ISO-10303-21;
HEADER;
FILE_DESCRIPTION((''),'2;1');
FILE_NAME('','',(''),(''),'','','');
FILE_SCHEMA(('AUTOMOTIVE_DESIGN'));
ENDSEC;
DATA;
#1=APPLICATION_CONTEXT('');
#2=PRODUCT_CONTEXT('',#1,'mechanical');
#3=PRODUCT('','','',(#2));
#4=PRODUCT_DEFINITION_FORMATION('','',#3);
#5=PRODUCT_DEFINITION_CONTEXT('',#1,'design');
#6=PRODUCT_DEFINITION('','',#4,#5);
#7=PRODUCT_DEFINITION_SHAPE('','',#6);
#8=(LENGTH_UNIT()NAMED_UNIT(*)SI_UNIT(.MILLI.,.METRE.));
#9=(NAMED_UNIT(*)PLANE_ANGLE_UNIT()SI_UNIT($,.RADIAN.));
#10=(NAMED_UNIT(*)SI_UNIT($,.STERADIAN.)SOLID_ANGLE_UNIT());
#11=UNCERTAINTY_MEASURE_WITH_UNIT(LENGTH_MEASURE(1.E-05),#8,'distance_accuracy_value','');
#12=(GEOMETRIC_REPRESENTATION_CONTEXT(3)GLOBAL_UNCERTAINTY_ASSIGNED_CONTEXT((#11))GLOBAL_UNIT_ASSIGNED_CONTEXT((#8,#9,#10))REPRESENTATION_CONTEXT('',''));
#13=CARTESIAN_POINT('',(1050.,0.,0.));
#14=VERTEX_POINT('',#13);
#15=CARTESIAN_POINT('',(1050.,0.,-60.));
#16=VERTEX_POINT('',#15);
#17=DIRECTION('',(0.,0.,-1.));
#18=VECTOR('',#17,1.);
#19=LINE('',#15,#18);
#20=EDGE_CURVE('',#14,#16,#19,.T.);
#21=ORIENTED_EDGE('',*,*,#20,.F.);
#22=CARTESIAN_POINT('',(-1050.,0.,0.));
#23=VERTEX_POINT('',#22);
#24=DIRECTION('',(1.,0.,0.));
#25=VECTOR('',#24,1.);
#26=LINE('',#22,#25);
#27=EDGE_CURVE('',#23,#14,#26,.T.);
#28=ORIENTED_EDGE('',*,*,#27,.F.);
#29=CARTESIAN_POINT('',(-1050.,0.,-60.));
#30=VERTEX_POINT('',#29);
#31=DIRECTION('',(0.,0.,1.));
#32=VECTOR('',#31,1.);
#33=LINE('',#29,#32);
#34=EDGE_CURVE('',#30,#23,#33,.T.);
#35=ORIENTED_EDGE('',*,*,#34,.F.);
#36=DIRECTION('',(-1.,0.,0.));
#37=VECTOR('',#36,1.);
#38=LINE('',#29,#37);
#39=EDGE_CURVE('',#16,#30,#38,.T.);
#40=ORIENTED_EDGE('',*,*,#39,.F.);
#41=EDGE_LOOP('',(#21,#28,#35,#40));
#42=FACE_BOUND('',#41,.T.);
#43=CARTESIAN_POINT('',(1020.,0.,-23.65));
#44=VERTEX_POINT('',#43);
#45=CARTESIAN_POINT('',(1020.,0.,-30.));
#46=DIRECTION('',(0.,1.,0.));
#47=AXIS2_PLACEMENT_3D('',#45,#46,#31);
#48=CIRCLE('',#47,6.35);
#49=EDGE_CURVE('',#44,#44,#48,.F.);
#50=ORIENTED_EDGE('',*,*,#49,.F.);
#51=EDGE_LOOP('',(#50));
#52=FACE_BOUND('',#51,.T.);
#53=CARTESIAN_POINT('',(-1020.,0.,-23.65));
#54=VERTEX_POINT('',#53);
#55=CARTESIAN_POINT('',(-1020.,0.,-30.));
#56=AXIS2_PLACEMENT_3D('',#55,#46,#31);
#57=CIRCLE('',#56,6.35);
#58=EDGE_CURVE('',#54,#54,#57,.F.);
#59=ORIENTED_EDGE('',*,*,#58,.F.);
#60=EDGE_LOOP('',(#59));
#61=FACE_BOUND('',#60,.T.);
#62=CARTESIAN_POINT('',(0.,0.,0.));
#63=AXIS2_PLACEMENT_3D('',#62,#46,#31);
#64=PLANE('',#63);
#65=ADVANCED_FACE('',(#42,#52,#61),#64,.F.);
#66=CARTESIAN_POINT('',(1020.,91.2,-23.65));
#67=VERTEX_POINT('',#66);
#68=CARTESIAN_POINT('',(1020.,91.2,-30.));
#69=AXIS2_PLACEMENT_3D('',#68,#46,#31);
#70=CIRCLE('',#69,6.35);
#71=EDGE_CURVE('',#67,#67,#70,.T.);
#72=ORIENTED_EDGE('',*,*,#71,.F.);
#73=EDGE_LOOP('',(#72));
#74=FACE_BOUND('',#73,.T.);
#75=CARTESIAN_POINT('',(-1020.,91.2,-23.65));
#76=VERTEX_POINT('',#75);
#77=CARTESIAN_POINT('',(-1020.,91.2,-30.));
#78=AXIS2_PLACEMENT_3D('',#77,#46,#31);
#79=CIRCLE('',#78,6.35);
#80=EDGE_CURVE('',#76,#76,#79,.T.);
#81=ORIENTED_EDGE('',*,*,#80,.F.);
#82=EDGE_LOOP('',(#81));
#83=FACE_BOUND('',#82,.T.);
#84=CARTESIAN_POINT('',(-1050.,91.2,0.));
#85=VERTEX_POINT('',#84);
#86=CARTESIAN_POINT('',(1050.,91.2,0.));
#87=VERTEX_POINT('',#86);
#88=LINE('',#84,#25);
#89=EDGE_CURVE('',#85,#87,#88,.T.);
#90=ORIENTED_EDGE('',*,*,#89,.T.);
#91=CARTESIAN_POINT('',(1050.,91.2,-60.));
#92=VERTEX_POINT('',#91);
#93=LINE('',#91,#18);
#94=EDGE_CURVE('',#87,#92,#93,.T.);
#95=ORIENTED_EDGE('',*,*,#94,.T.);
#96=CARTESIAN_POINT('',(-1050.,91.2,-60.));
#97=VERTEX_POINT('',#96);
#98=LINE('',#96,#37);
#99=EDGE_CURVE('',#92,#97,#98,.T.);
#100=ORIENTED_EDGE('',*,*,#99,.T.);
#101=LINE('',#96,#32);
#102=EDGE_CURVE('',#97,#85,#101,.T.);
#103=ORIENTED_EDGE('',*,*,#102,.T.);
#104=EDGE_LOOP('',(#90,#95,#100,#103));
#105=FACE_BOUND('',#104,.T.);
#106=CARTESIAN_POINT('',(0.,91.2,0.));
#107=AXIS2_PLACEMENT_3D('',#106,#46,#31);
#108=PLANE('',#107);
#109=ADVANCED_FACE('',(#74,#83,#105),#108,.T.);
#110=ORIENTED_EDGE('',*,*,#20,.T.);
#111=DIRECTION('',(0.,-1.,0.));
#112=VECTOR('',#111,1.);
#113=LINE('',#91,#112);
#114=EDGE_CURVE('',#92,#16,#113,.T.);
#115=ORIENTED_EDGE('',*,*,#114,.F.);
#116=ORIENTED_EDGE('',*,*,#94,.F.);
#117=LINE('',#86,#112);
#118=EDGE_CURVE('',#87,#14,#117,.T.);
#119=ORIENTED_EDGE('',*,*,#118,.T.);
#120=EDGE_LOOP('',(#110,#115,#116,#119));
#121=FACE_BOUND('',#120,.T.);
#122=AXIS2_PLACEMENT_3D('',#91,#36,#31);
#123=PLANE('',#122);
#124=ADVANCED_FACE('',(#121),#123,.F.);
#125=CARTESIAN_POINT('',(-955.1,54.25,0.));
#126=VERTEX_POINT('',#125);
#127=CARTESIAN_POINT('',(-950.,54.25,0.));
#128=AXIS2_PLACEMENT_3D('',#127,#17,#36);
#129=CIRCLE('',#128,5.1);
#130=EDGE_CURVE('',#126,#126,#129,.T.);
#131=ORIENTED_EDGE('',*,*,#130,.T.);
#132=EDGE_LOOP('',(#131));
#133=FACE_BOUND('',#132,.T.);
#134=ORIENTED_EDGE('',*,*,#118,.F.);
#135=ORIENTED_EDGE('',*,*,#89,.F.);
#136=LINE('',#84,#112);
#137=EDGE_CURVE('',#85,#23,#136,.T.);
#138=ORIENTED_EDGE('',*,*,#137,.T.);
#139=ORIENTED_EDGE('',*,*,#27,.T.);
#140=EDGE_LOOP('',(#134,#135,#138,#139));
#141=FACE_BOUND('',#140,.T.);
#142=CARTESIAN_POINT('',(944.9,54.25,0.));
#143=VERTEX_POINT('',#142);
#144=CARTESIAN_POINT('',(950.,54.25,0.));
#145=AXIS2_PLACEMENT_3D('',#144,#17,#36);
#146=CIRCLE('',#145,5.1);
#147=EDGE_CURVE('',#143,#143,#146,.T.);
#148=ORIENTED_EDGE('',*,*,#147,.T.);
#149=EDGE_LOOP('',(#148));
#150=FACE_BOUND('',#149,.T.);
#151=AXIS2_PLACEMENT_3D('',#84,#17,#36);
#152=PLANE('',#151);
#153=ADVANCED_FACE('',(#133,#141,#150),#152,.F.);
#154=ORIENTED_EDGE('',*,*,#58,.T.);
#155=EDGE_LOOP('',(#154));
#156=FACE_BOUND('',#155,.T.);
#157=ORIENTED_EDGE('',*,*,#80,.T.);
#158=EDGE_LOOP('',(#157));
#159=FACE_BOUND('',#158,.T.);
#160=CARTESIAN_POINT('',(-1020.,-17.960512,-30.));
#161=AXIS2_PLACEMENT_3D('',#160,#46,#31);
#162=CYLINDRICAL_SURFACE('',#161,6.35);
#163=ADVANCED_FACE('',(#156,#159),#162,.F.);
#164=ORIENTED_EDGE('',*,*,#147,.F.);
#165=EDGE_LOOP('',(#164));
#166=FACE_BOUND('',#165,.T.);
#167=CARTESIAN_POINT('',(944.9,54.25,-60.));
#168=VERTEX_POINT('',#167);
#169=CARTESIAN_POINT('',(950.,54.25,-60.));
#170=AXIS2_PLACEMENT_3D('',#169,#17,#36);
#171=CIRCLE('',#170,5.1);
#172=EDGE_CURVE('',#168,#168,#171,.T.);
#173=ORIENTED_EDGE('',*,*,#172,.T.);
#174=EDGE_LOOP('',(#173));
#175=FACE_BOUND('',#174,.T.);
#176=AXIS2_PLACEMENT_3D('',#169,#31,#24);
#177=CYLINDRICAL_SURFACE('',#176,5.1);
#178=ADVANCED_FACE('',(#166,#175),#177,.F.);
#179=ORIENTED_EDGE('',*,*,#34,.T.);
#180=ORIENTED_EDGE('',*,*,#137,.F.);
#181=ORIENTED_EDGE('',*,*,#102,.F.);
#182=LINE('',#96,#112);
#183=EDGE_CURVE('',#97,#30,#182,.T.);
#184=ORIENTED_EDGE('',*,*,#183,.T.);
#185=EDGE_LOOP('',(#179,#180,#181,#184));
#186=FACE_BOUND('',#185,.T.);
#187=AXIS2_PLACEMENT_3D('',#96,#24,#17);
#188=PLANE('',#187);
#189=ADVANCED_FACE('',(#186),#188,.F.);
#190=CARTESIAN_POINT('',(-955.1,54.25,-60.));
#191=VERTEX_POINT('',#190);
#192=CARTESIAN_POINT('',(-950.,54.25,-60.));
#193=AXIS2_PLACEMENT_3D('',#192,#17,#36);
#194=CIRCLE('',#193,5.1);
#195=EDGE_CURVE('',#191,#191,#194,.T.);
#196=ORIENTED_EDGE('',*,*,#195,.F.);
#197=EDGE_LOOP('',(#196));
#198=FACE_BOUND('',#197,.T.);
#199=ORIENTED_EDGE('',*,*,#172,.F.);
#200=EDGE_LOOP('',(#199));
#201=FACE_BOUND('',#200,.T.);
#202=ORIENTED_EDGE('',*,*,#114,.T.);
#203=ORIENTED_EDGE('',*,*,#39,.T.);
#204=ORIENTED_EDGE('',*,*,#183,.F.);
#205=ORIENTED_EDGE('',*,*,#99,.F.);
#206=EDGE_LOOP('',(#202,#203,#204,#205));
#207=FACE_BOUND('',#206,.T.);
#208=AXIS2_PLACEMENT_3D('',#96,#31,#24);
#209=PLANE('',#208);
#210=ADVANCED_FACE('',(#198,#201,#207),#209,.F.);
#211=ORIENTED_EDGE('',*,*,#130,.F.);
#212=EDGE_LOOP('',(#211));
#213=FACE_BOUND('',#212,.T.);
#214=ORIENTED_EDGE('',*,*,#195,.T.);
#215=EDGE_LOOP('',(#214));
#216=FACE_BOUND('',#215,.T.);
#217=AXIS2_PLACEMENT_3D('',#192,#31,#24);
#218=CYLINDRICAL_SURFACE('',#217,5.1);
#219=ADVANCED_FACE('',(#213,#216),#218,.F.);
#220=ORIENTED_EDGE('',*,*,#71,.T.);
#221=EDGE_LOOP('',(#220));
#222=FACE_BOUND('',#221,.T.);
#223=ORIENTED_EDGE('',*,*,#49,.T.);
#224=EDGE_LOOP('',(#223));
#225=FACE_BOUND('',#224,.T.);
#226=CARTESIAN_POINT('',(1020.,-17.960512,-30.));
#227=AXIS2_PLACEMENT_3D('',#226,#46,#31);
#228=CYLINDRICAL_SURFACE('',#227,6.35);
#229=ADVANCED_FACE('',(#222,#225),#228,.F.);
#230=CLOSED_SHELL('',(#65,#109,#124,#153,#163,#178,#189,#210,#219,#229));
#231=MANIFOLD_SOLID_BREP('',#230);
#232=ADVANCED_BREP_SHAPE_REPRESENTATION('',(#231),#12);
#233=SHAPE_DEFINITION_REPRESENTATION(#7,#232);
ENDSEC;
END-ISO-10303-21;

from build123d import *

# Parameters (mm, degrees)
SKETCH1_W           = 2100
SKETCH1_H           = 60
BOSS_EXTRUDE1_DEPTH = 91.2
SKETCH2_R           = 5.1
CUT_EXTRUDE1_DEPTH  = 1056.659717902
CUT_EXTRUDE2_START  = 91.2
SKETCH3_R           = 6.35
CUT_EXTRUDE2_DEPTH  = 91.2


with BuildPart() as part:
    # Sketch1 → Boss-Extrude1 (new body)
    with BuildSketch(Plane(origin=(0, 0, 0), x_dir=(1, 0, 0), z_dir=(0, 1, 0))):
        with Locations((0, 30)):
            Rectangle(SKETCH1_W, SKETCH1_H)
    extrude(amount=BOSS_EXTRUDE1_DEPTH)

    # Sketch2 → Cut-Extrude1 (cut, through all)
    with BuildSketch(Plane.XY):
        with Locations(Location((-950, 54.25, 0), (0, 0, 180))):
            Circle(SKETCH2_R)
        with Locations(Location((950, 54.25, 0), (0, 0, 180))):
            Circle(SKETCH2_R)
    extrude(amount=-CUT_EXTRUDE1_DEPTH, mode=Mode.SUBTRACT)

    # Sketch3 → Cut-Extrude2 (cut)
    with BuildSketch(Plane(origin=(0, 0, 0), x_dir=(1, 0, 0), z_dir=(0, 1, 0)).offset(CUT_EXTRUDE2_START)):
        with Locations(Location((1020, 30, 0), (0, 0, 270))):
            Circle(SKETCH3_R)
        with Locations(Location((-1020, 30, 0), (0, 0, 270))):
            Circle(SKETCH3_R)
    extrude(amount=-CUT_EXTRUDE2_DEPTH, mode=Mode.SUBTRACT)


solid = part.part
